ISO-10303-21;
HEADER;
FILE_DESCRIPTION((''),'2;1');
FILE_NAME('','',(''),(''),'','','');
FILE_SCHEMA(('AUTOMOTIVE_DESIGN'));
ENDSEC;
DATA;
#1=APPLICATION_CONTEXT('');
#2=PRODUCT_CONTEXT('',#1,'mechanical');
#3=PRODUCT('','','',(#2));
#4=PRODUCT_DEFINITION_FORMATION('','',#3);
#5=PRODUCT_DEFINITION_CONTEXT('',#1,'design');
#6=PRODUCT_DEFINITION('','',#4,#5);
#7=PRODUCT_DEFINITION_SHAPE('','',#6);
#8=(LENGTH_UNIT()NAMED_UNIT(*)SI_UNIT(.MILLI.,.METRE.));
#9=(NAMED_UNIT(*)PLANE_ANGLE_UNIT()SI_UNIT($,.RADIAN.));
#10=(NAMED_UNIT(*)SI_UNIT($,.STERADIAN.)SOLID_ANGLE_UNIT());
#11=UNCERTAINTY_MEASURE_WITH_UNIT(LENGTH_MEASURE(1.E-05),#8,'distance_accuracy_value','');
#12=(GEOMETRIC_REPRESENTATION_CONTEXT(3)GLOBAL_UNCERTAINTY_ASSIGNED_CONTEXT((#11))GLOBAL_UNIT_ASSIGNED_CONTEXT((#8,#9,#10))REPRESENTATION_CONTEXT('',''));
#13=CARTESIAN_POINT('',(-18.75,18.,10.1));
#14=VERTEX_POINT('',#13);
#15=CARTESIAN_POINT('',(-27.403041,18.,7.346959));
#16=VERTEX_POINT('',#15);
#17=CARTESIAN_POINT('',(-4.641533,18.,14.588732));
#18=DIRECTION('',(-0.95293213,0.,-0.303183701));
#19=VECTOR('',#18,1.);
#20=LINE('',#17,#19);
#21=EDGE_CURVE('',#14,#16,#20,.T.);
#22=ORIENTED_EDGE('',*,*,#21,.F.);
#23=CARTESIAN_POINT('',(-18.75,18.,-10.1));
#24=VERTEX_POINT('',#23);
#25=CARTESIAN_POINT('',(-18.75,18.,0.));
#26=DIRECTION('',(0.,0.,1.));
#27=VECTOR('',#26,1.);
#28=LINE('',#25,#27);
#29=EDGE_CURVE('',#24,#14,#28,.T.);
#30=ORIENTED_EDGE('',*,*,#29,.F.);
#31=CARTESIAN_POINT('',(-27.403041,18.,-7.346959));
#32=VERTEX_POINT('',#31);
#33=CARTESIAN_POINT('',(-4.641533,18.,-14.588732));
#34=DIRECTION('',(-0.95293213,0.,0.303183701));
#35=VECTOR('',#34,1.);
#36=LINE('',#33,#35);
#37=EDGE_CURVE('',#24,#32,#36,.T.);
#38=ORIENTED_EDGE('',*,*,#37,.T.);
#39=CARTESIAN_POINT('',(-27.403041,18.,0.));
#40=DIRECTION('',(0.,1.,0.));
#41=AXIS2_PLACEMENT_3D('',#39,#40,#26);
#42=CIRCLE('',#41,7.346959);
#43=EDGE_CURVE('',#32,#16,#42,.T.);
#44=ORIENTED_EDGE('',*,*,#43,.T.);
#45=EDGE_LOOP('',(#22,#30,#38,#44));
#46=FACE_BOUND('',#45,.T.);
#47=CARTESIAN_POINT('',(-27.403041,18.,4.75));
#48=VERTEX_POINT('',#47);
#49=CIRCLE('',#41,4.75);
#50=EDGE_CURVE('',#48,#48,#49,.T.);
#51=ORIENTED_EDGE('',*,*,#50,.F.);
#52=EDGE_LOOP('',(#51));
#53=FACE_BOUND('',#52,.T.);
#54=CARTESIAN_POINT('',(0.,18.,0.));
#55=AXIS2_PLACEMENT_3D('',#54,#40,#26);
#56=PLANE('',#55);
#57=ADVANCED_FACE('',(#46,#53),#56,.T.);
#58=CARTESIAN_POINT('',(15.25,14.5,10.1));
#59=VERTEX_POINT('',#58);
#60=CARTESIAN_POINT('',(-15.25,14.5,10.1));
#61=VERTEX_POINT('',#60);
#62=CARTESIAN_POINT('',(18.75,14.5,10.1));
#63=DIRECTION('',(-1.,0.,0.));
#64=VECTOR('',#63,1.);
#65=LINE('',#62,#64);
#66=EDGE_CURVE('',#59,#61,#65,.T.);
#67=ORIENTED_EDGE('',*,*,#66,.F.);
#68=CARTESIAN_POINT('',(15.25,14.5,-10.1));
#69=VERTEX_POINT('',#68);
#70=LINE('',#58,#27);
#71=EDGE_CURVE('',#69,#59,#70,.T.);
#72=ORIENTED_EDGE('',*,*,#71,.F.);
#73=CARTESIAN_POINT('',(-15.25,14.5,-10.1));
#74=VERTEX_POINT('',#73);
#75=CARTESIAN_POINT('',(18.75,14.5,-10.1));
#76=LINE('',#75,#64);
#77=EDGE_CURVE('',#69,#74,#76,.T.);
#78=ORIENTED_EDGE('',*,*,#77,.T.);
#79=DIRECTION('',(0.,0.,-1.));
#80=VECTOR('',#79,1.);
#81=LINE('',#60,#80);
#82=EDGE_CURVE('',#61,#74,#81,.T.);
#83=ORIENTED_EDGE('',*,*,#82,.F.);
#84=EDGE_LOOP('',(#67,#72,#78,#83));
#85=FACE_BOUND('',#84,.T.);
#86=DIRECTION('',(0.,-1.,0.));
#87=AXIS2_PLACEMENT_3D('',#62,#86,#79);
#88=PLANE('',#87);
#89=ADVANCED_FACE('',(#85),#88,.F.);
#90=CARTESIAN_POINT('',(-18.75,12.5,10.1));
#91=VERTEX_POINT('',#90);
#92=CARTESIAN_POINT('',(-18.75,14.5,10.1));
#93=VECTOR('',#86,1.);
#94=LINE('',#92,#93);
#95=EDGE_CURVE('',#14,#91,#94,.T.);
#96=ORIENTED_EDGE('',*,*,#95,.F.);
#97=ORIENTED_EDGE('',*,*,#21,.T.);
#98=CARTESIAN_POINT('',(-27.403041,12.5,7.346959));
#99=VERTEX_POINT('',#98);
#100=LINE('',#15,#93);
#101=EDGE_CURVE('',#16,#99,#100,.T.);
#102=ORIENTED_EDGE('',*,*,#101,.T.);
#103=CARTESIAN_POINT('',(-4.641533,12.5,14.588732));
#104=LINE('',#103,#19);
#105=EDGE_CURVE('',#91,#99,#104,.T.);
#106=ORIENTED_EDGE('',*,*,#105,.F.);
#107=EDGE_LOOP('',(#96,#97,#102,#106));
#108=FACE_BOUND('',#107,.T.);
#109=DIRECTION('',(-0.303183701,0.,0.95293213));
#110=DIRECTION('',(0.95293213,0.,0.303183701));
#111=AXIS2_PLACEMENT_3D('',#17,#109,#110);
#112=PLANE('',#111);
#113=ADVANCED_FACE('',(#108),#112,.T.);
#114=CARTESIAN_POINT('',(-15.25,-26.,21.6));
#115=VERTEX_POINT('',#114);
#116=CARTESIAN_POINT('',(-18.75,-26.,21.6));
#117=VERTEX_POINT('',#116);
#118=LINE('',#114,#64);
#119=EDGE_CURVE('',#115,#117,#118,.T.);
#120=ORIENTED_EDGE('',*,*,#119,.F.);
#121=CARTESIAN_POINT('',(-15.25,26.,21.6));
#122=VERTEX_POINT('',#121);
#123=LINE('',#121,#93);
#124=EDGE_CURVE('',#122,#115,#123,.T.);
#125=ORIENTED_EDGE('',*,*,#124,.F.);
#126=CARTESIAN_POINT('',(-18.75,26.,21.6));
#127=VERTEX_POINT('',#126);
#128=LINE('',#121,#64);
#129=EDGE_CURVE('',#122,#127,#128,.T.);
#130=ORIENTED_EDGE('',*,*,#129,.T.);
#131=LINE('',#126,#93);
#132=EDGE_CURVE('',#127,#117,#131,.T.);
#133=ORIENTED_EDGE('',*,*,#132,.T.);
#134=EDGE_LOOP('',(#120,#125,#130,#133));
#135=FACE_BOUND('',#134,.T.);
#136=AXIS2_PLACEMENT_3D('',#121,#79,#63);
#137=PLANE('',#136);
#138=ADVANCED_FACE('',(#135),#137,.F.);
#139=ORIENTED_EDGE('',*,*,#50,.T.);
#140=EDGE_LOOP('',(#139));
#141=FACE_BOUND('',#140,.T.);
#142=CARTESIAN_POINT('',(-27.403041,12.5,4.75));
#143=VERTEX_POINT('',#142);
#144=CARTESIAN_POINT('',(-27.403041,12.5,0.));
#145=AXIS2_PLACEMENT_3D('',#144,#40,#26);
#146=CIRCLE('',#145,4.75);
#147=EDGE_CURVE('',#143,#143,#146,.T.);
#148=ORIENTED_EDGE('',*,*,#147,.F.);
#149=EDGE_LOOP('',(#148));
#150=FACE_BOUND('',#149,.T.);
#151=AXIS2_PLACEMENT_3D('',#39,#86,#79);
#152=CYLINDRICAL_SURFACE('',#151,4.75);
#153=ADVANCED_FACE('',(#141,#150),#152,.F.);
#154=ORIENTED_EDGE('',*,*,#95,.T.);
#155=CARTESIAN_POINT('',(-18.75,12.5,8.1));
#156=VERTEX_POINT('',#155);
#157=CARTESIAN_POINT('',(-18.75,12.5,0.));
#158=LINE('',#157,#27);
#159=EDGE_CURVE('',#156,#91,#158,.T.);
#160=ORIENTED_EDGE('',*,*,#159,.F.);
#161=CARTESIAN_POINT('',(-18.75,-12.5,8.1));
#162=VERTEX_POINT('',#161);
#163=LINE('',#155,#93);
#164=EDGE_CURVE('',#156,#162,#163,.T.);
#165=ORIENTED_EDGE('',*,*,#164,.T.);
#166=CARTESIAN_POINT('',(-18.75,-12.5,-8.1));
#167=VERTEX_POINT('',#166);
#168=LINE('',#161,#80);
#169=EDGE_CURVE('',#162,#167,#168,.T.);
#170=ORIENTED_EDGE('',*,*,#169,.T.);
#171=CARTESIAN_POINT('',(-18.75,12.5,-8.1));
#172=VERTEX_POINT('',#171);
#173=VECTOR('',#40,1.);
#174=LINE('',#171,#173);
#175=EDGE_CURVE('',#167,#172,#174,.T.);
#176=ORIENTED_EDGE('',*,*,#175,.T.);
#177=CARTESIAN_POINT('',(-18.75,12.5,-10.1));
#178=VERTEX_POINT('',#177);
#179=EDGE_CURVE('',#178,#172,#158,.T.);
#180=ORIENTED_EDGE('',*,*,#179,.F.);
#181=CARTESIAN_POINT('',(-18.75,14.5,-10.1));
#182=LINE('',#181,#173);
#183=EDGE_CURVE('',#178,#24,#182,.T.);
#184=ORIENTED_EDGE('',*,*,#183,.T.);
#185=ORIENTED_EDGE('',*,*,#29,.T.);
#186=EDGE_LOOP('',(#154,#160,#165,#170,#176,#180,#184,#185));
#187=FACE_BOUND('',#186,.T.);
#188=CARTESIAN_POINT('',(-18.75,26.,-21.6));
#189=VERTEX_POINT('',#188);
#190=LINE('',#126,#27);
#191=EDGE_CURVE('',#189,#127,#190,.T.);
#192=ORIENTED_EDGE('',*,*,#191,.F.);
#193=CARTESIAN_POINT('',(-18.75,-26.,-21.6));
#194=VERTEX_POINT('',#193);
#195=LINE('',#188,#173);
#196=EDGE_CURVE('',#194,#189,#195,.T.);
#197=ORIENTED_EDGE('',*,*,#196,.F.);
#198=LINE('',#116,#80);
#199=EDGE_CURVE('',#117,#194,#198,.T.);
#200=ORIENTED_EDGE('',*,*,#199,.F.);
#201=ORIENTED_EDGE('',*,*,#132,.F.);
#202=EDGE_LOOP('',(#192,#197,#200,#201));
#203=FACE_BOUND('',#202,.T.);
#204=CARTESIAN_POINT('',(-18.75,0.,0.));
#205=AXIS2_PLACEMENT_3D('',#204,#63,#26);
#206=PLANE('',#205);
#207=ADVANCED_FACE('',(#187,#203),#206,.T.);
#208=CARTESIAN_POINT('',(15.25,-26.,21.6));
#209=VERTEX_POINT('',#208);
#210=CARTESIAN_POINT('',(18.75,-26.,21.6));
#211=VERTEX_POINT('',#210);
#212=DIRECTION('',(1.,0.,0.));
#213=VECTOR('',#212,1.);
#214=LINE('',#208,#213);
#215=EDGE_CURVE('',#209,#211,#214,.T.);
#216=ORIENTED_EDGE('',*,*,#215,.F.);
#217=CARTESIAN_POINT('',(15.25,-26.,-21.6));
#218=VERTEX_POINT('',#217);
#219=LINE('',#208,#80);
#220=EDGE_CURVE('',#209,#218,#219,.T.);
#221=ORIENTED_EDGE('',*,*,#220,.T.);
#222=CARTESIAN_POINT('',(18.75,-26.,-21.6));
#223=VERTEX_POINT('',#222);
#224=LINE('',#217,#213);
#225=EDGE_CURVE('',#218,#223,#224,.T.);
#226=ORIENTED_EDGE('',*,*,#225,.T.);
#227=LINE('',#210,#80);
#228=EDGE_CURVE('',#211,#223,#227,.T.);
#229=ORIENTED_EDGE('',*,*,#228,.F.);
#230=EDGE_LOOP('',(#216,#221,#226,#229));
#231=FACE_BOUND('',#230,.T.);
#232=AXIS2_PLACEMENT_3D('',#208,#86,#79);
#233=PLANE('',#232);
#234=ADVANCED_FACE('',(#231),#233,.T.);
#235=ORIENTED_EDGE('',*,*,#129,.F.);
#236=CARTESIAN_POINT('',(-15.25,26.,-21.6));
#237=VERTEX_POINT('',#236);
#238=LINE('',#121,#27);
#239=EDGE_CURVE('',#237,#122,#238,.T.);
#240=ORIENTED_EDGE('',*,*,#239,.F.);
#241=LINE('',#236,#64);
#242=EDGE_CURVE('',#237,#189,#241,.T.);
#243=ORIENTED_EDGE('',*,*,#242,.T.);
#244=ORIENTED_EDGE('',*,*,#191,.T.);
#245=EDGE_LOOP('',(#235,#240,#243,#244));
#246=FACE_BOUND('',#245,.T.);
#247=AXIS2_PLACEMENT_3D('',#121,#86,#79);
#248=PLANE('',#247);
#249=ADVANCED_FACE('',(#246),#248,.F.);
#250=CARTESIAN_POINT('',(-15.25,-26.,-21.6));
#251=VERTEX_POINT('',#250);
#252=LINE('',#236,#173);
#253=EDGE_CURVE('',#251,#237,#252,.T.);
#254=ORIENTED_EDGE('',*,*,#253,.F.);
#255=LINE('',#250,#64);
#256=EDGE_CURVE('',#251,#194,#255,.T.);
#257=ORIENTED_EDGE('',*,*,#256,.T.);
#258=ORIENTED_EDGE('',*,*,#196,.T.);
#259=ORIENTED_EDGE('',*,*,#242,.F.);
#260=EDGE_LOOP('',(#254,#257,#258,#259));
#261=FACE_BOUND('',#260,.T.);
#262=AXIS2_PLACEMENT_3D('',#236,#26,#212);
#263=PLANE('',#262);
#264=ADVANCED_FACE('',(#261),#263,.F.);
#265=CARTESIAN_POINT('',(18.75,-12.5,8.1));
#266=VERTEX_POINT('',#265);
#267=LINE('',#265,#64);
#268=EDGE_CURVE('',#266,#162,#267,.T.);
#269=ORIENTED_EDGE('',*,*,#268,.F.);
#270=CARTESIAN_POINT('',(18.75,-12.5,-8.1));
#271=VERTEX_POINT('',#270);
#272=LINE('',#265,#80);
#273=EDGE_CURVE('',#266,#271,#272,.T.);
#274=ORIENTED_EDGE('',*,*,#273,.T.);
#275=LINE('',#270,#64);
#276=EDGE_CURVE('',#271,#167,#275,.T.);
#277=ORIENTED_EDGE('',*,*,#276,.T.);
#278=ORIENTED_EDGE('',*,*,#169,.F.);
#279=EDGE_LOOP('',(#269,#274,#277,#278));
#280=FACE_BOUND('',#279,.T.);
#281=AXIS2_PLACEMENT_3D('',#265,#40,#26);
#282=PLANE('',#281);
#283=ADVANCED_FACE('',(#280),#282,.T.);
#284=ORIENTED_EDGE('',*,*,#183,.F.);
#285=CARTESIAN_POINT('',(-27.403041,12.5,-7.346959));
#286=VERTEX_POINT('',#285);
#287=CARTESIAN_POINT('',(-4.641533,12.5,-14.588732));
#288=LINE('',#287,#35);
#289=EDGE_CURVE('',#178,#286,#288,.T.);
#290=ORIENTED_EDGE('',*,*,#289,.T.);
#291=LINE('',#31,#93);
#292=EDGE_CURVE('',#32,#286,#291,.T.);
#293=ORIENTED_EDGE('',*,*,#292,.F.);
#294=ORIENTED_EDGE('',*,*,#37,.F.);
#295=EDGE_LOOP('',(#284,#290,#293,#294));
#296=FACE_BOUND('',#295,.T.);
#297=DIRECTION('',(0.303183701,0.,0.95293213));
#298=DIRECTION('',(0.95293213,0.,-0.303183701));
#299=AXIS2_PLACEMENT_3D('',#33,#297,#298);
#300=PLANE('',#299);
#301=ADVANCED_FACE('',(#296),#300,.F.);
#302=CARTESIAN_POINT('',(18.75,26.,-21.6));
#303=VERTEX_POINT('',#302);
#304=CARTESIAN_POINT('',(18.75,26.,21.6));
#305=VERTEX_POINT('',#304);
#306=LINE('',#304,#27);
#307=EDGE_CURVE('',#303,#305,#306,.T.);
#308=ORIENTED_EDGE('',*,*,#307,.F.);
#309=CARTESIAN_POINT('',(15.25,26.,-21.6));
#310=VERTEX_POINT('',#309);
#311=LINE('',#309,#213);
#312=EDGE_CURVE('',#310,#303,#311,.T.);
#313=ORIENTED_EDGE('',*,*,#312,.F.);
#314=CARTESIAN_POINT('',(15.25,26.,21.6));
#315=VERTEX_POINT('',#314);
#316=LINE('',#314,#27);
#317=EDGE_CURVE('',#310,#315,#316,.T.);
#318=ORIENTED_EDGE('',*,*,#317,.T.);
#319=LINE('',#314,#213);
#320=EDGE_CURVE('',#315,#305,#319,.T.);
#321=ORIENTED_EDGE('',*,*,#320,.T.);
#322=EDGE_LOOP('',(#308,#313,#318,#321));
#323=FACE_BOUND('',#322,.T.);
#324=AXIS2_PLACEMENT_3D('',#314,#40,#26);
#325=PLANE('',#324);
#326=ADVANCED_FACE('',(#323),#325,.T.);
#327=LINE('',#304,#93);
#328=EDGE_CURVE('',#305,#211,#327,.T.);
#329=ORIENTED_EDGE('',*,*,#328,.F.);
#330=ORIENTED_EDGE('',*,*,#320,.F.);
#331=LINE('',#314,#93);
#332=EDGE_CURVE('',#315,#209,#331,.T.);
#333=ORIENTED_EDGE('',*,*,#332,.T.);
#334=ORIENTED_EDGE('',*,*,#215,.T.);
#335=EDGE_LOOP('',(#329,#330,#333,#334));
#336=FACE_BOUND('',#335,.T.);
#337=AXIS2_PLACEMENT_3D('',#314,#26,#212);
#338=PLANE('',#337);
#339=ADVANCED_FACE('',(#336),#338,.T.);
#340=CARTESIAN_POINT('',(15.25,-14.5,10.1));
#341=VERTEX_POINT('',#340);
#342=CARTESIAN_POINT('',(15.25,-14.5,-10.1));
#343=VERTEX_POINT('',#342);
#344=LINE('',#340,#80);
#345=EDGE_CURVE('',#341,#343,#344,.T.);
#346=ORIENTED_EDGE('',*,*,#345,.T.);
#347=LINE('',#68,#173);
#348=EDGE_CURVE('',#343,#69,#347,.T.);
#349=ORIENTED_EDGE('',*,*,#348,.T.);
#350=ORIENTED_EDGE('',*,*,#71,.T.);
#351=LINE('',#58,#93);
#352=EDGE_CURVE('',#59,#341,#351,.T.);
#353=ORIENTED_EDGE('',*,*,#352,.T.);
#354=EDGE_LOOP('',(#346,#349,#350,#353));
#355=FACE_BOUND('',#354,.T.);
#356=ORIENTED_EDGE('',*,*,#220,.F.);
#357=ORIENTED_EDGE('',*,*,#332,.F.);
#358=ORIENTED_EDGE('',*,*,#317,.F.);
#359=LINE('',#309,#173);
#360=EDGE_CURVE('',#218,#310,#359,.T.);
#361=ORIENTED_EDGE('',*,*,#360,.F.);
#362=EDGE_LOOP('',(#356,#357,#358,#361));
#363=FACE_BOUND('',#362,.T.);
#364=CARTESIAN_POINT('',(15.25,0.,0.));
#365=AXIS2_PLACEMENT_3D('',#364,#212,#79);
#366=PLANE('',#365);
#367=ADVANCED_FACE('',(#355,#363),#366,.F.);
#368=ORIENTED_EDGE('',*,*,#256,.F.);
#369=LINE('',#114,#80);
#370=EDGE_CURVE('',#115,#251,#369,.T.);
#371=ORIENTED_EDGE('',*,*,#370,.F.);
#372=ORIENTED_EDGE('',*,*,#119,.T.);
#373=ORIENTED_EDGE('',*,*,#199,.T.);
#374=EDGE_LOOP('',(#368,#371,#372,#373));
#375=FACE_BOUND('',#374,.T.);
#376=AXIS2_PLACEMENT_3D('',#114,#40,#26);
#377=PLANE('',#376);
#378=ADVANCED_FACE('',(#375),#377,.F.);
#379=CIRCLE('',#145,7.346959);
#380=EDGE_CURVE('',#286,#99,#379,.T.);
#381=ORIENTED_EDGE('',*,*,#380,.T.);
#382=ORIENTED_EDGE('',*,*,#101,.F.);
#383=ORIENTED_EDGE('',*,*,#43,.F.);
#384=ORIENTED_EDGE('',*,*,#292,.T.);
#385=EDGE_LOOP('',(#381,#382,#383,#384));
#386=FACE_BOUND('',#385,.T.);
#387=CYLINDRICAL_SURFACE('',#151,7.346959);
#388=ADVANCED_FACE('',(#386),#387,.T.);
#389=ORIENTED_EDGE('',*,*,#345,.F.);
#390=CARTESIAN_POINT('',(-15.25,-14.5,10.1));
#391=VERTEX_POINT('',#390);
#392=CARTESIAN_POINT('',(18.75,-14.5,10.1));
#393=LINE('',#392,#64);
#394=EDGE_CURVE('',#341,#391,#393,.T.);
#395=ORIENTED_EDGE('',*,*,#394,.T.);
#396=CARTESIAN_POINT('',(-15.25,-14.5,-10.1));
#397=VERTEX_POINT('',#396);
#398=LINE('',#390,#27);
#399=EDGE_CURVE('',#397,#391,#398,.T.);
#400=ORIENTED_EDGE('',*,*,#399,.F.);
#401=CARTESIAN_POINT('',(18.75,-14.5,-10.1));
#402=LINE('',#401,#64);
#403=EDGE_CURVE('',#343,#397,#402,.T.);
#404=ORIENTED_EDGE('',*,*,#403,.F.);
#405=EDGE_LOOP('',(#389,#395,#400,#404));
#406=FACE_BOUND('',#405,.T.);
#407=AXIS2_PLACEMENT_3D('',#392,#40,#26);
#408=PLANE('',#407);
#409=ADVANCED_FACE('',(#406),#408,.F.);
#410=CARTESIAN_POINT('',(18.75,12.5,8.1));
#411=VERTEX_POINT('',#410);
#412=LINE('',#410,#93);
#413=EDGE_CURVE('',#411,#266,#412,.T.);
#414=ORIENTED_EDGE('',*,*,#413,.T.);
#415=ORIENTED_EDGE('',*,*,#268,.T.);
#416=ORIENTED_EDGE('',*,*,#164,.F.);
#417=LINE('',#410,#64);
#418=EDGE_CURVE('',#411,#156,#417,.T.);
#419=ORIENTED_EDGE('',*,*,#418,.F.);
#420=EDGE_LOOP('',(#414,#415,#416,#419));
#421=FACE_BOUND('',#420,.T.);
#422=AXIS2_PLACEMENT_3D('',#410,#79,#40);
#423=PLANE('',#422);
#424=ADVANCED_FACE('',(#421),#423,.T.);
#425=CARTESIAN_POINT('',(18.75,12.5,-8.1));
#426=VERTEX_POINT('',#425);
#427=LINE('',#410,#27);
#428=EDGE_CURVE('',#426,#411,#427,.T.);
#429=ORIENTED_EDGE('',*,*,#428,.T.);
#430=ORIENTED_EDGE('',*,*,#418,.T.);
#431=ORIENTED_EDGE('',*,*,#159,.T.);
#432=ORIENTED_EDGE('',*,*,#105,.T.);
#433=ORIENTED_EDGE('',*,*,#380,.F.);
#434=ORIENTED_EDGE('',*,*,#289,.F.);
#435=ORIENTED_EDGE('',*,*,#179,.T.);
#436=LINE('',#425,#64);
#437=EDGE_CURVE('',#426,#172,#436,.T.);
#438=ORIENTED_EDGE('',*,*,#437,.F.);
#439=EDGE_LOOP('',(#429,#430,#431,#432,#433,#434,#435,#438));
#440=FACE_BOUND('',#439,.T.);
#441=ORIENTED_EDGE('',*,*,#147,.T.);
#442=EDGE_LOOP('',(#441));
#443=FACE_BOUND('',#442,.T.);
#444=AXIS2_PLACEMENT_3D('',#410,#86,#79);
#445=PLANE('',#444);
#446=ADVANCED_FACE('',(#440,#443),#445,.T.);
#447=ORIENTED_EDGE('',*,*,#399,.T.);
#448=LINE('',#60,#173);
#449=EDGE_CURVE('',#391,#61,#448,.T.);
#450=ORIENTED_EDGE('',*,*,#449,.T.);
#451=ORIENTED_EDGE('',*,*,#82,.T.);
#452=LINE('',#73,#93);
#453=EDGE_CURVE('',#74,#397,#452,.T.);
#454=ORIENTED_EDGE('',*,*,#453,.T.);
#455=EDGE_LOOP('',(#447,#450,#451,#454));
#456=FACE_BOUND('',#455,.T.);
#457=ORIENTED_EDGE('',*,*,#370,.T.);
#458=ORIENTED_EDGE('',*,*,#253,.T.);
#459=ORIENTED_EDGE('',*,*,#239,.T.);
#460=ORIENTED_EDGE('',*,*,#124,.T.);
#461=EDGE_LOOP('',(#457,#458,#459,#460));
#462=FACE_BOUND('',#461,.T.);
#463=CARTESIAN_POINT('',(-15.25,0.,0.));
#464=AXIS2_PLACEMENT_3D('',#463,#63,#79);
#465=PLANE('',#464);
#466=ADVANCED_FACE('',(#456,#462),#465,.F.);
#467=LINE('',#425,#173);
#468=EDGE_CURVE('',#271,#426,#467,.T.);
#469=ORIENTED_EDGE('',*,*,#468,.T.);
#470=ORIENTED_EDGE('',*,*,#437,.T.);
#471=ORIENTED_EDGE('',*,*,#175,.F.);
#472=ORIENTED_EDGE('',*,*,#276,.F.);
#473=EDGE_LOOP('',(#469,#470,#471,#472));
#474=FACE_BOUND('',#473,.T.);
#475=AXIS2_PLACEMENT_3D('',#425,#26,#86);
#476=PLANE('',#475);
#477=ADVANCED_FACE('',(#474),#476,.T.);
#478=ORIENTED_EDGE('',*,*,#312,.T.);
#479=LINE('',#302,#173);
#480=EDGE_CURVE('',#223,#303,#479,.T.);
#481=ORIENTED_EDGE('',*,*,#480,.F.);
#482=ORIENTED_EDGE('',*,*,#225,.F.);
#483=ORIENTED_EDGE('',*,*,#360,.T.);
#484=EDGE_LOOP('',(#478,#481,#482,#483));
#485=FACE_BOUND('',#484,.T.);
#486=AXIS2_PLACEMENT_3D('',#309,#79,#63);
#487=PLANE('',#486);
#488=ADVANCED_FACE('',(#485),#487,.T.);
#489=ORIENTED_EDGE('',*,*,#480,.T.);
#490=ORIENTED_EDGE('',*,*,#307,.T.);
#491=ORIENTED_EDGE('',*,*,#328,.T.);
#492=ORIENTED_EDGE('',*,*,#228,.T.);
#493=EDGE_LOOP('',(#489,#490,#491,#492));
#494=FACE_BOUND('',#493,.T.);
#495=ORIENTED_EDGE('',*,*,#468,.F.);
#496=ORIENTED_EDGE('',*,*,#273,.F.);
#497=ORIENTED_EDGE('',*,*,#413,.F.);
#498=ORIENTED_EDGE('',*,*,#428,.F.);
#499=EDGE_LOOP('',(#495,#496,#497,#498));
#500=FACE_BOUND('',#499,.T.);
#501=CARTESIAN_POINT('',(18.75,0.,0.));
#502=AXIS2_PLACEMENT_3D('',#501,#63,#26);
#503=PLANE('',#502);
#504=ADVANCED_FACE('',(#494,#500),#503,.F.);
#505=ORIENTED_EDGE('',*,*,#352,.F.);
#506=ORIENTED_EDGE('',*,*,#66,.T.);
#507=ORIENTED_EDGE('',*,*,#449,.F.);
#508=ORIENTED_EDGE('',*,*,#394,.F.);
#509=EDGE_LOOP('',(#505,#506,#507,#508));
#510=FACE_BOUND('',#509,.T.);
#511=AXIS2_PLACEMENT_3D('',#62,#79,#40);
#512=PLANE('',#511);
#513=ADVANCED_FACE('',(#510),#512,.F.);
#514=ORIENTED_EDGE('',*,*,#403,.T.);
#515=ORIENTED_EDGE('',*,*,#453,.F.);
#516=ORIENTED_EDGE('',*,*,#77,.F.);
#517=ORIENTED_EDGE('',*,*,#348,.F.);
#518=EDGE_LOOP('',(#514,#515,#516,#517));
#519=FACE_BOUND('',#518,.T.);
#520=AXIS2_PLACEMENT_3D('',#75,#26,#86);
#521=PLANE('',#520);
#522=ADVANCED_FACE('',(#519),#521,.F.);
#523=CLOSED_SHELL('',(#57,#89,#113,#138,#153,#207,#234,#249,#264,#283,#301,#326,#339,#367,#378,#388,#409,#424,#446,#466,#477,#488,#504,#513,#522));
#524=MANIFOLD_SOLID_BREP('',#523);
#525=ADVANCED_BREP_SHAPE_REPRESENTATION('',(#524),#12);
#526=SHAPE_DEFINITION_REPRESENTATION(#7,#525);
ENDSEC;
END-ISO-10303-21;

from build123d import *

# Parameters (mm, degrees)
SKETCH1_W                = 20.2
SKETCH1_H                = 29
SKETCH1_W_2              = 16.2
SKETCH1_H_2              = 25
BOSS_EXTRUDE1_DEPTH      = 18.75
BOSS_EXTRUDE2_DEPTH      = 3.5
BOSS_EXTRUDE2_DEPTH_BACK = 2
SKETCH2_R                = 4.75
SKETCH3_W                = 43.2
SKETCH3_H                = 52
SKETCH3_W_2              = 16.2
SKETCH3_H_2              = 25
BOSS_EXTRUDE4_DEPTH      = 3.5


with BuildPart() as part:
    # Sketch1 → Boss-Extrude1 (new, symmetric)
    with BuildSketch(Plane(origin=(0, 0, 0), x_dir=(0, 0, -1), z_dir=(1, 0, 0))):
        Rectangle(SKETCH1_W, SKETCH1_H)
        Rectangle(SKETCH1_W_2, SKETCH1_H_2, mode=Mode.SUBTRACT)
    extrude(amount=BOSS_EXTRUDE1_DEPTH, both=True)

    # Sketch2 → Boss-Extrude2 (add, two sides: drawn at the far end of the back side and taken through both)
    with BuildSketch(Plane(origin=(0, 14.5, 0), x_dir=(1, 0, 0), z_dir=(0, 1, 0)).offset(-BOSS_EXTRUDE2_DEPTH_BACK)):
        with BuildLine():
            Line((-18.75, -10.1), (-18.75, 10.1))
            Line((-18.75, 10.1), (-27.403040645, 7.346959355))
            ThreePointArc((-27.403040645, 7.346959355), (-34.75, 0), (-27.403040645, -7.346959355))
            Line((-27.403040645, -7.346959355), (-18.75, -10.1))
        make_face()
        with Locations(Location((-27.403040645, 0, 0), (0, 0, 270))):
            Circle(SKETCH2_R, mode=Mode.SUBTRACT)
    extrude(amount=BOSS_EXTRUDE2_DEPTH + BOSS_EXTRUDE2_DEPTH_BACK)

    # Sketch3 → Boss-Extrude4 (add)
    with BuildSketch(Plane(origin=(18.75, 0, 0), x_dir=(0, 0, -1), z_dir=(1, 0, 0))):
        Rectangle(SKETCH3_W, SKETCH3_H)
        Rectangle(SKETCH3_W_2, SKETCH3_H_2, mode=Mode.SUBTRACT)
    boss_extrude4 = extrude(amount=-BOSS_EXTRUDE4_DEPTH)

    # Mirror1: Boss-Extrude4 across plane
    add(boss_extrude4.mirror(Plane(origin=(0, 0, 0), x_dir=(0, 0, 1), z_dir=(1, 0, 0))))


solid = part.part
